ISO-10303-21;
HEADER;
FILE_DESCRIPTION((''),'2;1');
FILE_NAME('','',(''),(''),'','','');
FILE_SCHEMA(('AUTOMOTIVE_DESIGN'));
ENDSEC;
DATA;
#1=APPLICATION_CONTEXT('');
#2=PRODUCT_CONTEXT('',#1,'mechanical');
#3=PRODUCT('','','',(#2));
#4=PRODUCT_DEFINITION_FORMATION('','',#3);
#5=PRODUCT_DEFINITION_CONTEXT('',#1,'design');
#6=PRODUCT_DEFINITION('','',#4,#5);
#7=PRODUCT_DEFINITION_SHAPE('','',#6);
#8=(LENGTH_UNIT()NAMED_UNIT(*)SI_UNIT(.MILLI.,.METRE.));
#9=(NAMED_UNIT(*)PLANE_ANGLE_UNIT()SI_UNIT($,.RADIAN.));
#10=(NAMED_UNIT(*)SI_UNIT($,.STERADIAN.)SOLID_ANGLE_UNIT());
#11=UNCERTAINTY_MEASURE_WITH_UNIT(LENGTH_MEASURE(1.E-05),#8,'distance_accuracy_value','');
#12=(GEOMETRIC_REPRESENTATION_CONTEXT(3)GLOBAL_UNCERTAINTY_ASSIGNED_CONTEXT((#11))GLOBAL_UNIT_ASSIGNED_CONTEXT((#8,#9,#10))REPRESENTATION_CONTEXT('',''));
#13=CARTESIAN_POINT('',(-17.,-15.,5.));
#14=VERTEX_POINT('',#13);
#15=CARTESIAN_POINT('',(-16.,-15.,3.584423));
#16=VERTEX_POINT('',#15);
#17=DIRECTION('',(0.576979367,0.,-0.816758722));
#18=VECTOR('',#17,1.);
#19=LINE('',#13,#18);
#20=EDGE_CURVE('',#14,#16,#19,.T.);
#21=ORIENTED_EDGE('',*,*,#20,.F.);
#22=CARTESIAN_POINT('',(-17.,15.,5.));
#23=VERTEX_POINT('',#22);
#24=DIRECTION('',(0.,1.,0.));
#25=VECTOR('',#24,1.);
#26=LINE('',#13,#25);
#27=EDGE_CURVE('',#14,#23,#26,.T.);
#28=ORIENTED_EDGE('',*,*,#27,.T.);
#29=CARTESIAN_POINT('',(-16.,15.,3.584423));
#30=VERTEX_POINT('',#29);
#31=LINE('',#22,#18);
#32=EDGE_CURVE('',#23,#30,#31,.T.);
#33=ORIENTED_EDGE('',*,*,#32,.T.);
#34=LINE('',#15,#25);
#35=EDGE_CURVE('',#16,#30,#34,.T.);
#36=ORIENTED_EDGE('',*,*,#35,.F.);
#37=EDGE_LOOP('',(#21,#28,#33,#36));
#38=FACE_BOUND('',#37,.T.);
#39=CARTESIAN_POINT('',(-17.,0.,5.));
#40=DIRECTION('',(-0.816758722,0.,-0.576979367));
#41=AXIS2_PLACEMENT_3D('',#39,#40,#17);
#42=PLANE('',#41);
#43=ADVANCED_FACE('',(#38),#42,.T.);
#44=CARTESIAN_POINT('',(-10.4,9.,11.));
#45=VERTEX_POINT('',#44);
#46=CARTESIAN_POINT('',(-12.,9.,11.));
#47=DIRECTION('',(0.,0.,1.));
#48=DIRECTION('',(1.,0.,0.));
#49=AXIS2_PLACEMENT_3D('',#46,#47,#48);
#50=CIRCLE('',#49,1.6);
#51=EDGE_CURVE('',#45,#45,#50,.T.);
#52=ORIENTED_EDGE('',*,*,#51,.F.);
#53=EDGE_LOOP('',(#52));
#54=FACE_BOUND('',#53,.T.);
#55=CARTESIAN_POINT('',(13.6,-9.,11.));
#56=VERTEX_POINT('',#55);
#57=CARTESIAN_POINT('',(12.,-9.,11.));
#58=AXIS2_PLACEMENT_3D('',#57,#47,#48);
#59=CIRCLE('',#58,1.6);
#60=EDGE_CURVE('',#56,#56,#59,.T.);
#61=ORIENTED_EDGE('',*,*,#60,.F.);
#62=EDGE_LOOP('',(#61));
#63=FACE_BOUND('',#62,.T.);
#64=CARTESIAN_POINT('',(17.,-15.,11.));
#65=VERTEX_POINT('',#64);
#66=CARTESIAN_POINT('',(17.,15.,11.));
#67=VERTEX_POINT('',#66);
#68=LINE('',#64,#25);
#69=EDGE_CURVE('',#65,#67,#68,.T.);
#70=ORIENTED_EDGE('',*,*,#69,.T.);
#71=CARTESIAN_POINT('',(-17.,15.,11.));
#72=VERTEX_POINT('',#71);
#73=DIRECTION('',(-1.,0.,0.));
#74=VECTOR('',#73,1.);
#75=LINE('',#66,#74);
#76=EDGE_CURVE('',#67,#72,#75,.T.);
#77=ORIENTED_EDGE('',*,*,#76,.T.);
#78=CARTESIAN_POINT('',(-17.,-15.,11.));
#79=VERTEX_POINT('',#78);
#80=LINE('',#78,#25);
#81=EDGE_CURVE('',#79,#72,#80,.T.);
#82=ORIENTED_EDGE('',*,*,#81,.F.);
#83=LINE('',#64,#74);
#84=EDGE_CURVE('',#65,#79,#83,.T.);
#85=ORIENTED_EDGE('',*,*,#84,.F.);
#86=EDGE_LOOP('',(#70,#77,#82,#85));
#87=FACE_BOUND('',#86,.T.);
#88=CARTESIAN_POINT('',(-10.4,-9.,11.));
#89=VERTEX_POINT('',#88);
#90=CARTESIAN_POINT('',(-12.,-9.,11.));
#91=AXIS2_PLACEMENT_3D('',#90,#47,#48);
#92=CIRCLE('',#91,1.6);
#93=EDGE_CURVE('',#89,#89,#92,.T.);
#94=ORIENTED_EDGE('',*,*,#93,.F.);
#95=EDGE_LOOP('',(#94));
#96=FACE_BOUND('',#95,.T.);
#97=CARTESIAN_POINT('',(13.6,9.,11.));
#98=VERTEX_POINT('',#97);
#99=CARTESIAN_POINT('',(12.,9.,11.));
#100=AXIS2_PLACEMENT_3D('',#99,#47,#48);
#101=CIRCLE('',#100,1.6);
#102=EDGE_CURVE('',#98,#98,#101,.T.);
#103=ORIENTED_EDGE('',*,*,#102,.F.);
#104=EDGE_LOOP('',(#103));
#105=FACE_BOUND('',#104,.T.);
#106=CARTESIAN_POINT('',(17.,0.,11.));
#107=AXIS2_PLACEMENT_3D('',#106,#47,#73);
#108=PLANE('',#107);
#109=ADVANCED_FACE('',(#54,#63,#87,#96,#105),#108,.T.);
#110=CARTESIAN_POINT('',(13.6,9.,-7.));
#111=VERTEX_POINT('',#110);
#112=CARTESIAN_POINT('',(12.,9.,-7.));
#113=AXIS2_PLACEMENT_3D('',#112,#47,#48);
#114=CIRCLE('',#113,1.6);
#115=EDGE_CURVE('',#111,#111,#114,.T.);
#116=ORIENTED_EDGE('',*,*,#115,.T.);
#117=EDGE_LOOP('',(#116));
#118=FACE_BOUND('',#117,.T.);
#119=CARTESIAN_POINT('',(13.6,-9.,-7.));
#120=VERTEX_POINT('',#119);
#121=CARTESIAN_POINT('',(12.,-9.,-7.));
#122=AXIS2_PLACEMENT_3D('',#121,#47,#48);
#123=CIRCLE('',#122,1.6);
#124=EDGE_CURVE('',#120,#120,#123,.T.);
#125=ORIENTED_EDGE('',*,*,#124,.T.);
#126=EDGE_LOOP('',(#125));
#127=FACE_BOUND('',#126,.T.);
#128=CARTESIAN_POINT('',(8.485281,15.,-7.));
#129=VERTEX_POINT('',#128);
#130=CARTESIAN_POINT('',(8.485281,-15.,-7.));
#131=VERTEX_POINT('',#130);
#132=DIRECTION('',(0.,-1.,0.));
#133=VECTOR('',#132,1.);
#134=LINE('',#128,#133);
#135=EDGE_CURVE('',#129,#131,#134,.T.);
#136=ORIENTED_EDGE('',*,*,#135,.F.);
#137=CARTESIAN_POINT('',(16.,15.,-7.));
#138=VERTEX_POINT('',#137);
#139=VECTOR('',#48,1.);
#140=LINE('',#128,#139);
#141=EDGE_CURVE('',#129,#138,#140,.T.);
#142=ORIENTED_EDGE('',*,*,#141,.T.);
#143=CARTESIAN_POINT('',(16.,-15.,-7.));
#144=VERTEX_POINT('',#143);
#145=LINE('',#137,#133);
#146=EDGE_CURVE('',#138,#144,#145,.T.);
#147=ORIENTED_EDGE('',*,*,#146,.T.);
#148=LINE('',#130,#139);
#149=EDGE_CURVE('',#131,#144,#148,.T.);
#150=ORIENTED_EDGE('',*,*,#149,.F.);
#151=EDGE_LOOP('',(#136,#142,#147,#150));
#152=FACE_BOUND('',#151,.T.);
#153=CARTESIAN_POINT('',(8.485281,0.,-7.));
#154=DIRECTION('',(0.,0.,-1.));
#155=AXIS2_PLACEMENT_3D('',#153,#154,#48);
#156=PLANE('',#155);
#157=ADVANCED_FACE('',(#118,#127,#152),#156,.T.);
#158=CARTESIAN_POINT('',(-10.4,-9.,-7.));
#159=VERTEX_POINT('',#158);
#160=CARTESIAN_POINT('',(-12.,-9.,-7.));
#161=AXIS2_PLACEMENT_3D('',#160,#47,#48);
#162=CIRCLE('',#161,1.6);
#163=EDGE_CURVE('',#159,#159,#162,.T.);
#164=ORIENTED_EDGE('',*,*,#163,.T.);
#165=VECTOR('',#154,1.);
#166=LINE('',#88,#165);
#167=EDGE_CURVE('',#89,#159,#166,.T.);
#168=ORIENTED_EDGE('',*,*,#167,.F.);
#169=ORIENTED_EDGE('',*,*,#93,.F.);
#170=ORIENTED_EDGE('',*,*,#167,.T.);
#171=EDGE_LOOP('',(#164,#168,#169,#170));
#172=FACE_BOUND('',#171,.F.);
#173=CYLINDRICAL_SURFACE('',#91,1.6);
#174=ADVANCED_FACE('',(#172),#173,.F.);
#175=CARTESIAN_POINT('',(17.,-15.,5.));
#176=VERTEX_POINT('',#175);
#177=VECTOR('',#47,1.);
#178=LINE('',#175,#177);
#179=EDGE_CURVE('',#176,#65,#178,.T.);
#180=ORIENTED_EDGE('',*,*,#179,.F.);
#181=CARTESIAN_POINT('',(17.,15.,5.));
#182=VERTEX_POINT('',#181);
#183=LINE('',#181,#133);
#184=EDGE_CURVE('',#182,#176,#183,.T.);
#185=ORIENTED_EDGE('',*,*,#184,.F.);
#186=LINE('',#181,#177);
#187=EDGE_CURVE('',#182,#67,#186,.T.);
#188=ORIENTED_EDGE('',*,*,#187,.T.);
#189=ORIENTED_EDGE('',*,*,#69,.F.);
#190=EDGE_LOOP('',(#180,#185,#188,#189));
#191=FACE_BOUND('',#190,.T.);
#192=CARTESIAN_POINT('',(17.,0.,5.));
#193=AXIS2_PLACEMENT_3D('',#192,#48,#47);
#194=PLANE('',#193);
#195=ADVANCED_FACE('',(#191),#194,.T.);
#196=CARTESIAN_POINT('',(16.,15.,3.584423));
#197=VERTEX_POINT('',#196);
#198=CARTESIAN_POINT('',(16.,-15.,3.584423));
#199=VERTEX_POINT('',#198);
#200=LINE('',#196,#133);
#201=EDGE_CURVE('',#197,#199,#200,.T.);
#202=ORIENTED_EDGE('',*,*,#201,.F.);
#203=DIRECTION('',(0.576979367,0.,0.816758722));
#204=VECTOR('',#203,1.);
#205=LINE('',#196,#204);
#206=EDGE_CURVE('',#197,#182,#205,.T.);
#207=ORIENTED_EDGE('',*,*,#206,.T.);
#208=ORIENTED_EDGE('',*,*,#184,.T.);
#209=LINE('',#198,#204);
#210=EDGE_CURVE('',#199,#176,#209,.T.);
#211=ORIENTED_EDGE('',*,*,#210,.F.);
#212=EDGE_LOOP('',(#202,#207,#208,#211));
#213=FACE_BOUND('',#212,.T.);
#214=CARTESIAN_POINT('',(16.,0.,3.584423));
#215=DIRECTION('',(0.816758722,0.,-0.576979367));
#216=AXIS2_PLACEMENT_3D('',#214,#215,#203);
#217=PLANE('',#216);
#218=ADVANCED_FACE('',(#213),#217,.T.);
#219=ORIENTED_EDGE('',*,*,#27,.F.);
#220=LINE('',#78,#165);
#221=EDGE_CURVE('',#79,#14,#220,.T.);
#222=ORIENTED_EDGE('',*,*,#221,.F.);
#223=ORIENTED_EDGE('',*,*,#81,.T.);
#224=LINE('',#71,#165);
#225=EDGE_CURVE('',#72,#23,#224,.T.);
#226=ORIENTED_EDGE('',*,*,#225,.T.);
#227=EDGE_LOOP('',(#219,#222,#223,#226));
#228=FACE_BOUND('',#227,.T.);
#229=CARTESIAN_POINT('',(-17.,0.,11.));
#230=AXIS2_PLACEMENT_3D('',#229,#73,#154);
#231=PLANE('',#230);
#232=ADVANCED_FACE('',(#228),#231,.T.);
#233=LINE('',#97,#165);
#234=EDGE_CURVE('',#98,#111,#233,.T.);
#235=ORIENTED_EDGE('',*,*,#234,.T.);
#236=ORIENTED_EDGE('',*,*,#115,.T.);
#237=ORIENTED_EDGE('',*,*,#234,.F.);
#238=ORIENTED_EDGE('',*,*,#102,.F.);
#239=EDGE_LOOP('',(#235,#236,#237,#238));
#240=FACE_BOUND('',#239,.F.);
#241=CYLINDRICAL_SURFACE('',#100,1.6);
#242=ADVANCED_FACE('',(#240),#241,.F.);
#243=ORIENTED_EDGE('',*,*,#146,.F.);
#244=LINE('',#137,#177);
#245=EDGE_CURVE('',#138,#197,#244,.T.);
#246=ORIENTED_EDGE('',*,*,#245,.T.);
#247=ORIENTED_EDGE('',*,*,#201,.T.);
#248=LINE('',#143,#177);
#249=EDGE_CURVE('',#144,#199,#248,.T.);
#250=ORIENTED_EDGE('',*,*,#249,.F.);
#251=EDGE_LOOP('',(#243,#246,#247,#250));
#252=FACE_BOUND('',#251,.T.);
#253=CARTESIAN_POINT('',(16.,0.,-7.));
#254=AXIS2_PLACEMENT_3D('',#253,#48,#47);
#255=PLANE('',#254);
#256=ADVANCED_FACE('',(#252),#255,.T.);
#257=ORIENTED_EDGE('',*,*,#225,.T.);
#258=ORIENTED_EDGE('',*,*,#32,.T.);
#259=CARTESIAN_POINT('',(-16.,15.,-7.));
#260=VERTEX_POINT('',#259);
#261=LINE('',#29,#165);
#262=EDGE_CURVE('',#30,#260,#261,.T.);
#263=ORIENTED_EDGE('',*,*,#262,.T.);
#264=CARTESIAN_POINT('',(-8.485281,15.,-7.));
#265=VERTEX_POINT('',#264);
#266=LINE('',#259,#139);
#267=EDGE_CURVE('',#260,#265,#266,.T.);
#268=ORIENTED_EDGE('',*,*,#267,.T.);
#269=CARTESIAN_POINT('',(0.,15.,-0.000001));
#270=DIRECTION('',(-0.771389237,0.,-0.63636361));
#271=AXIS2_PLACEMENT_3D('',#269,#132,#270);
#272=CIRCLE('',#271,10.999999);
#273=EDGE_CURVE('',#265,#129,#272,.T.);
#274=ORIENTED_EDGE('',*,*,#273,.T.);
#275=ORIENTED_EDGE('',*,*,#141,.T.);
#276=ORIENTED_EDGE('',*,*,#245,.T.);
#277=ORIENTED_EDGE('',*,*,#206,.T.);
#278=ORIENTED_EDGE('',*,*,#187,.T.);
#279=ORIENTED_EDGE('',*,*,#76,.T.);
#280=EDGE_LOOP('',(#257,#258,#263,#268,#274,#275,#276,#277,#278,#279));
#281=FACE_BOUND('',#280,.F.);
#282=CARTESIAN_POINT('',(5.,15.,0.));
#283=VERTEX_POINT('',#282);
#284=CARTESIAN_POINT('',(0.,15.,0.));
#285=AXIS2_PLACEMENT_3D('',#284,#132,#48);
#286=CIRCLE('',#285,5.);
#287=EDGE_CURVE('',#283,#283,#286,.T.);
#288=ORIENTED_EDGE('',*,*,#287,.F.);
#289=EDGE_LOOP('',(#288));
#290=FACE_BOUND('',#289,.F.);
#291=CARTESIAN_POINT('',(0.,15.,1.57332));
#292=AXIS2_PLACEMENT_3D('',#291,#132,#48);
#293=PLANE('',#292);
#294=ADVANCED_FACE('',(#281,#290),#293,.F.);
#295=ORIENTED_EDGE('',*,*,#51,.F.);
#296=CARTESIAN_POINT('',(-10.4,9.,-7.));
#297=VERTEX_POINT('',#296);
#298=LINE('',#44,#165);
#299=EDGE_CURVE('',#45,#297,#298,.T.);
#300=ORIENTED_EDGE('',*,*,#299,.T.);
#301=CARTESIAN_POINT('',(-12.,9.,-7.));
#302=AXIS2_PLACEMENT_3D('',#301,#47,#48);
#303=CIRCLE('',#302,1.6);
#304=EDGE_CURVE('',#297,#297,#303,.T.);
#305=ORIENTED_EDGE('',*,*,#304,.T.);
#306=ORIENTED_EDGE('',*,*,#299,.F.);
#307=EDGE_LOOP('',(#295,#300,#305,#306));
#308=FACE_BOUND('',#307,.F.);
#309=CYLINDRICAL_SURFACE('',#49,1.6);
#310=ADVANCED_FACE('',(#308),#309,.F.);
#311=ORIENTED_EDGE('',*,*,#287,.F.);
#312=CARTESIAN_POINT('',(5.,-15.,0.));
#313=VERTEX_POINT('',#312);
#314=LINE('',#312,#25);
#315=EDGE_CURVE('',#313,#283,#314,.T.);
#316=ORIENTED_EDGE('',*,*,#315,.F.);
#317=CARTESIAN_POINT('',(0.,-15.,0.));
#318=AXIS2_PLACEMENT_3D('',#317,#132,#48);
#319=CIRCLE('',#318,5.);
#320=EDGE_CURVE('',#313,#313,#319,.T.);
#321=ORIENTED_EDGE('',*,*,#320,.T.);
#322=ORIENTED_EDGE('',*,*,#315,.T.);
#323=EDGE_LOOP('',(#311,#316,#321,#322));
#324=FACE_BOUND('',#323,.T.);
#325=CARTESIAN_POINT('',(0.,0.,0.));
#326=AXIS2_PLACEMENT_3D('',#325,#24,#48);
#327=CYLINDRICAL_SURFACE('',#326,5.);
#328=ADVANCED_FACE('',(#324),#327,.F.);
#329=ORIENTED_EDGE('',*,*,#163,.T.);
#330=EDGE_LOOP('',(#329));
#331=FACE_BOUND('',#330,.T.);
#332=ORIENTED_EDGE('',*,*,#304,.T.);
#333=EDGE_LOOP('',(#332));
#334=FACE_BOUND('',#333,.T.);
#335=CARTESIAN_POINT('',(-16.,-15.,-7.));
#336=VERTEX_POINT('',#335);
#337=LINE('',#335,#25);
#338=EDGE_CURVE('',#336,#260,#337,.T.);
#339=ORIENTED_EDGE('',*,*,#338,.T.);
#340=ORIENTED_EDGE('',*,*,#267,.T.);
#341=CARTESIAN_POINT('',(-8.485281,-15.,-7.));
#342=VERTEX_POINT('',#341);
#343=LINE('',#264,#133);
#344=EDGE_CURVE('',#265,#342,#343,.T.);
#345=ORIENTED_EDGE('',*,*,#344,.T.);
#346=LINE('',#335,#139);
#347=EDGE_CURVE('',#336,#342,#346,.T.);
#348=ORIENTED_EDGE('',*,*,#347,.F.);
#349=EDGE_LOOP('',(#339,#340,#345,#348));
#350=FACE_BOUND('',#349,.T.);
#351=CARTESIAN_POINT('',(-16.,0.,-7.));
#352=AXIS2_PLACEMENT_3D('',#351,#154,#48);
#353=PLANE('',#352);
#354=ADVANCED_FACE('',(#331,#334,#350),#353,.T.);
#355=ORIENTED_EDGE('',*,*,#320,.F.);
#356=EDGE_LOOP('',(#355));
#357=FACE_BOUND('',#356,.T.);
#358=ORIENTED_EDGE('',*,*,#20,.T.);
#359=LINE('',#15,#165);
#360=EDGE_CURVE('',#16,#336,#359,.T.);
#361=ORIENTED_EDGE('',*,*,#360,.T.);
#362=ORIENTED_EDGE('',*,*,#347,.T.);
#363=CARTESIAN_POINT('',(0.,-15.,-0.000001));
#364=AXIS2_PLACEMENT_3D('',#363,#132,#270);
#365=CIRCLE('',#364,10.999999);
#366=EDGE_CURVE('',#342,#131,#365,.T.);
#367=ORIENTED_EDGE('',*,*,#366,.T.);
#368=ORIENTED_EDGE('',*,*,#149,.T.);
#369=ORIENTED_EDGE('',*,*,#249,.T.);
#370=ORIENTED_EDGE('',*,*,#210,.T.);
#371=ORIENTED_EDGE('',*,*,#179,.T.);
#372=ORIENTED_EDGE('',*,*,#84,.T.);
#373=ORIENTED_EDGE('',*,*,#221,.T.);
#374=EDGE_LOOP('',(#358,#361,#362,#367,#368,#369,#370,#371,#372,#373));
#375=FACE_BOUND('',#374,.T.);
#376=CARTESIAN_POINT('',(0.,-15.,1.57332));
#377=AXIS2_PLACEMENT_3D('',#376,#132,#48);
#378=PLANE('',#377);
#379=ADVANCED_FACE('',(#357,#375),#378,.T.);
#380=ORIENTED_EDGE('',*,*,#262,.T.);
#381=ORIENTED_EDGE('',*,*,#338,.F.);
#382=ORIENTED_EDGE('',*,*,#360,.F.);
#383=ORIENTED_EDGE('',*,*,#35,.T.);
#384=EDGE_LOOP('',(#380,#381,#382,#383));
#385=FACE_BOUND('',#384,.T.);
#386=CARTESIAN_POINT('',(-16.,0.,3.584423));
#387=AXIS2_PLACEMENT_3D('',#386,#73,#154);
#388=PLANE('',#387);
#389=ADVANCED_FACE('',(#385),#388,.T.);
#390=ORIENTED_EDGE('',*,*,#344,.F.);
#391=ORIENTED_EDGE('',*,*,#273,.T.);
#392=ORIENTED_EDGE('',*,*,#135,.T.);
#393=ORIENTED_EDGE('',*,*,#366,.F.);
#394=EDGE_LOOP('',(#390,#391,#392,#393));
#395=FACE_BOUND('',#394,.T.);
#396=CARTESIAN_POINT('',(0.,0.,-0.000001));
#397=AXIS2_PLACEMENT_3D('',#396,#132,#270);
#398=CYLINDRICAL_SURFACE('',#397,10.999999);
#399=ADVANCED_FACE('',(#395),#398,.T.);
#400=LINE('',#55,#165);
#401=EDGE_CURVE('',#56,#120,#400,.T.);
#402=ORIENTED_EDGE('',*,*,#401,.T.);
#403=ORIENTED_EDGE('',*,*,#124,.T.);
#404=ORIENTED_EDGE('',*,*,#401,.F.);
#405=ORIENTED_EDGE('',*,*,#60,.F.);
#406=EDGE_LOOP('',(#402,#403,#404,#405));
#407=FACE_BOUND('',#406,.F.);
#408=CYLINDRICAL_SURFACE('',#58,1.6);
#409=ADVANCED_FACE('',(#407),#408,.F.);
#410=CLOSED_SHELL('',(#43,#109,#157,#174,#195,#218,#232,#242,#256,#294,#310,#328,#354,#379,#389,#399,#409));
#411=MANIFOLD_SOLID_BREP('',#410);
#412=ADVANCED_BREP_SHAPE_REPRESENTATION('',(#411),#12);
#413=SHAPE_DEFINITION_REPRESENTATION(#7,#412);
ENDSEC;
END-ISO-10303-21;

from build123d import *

# Parameters (mm, degrees)
F0_R     = 5
F1_DEPTH = 15
F2_R     = 1.6
F3_DEPTH = 25


with BuildPart() as f1:
    # F0 (on Front) → F1 (new body, symmetric)
    with BuildSketch(Plane.XZ):
        with BuildLine():
            Line((-16, -7), (-8.485281, -7))
            ThreePointArc((-8.485281, -7), (0, -11), (8.485281, -7))
            Line((8.485281, -7), (16, -7))
            Line((16, -7), (16, 3.584423))
            Line((16, 3.584423), (17, 5))
            Line((17, 5), (17, 11))
            Line((17, 11), (0, 11))
            Line((0, 11), (-17, 11))
            Line((-17, 11), (-17, 5))
            Line((-17, 5), (-16, 3.584423))
            Line((-16, 3.584423), (-16, -7))
        make_face()
        Circle(F0_R, mode=Mode.SUBTRACT)
    extrude(amount=F1_DEPTH, both=True)

    # F2 (on face) → F3 (cut)
    with BuildSketch(Plane.XY.offset(11)):
        with Locations((-12, -9)):
            Circle(F2_R)
        with Locations((12, -9)):
            Circle(F2_R)
        with Locations((12, 9)):
            Circle(F2_R)
        with Locations((-12, 9)):
            Circle(F2_R)
    extrude(amount=-F3_DEPTH, mode=Mode.SUBTRACT)


solid = f1.part
